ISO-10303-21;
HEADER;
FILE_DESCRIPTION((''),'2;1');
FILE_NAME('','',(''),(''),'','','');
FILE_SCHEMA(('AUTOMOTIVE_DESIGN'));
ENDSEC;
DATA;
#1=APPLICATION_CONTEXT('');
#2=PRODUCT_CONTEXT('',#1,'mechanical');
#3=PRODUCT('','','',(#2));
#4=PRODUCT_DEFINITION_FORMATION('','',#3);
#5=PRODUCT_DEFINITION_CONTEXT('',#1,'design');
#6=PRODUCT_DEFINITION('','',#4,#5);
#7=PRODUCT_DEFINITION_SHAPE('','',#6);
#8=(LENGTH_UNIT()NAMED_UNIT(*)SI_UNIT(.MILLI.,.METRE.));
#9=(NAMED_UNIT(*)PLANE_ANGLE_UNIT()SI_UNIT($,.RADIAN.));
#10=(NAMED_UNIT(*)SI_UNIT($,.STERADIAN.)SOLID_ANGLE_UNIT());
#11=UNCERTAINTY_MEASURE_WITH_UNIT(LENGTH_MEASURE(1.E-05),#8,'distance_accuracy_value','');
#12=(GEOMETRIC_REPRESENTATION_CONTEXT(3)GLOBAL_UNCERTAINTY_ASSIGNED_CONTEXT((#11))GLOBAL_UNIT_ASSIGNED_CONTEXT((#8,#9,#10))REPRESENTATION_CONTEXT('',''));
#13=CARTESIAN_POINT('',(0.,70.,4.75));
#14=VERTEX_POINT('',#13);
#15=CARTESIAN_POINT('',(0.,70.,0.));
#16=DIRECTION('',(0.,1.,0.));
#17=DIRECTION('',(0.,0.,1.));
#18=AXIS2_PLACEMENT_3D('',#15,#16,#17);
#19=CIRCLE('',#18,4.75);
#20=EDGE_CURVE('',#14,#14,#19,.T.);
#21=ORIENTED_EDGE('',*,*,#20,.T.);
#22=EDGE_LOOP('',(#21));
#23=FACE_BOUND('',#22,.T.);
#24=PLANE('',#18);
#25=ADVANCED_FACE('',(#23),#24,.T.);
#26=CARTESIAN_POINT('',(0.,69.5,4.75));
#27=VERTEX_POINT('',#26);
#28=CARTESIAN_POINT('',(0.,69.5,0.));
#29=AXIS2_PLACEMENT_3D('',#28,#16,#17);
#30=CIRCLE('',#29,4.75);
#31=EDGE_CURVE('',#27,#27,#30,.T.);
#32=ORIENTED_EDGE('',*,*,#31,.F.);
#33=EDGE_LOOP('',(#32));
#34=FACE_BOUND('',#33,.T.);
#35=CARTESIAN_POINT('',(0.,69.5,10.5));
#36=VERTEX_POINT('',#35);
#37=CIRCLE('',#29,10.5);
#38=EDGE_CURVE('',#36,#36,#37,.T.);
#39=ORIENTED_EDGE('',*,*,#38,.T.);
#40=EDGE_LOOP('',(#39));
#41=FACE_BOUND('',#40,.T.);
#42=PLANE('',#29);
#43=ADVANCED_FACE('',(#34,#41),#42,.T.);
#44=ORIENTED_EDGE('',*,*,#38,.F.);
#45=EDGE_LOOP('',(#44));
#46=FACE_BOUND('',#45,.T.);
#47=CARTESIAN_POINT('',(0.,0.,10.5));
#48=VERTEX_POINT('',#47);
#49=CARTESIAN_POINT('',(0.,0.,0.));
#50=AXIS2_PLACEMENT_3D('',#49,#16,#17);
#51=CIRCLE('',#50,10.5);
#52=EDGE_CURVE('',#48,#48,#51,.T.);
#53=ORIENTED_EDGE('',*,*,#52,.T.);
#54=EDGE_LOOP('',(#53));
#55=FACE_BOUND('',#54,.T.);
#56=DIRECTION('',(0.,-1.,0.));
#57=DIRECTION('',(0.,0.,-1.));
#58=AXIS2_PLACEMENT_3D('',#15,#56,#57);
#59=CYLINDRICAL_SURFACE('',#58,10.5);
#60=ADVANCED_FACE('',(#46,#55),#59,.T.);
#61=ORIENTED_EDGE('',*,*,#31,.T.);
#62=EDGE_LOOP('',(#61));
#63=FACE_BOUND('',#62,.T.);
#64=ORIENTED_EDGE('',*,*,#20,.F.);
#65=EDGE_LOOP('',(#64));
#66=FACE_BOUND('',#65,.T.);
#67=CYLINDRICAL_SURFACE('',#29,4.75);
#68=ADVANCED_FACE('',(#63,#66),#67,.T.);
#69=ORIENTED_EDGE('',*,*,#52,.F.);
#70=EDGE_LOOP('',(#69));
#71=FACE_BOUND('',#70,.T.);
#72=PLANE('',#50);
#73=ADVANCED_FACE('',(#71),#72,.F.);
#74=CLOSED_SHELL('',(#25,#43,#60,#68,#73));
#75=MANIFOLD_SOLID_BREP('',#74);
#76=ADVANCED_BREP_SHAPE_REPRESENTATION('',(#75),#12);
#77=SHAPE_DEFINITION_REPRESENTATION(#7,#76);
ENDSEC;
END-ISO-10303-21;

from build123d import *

# Parameters (mm, degrees)
SKETCH1_R           = 10.5
BOSS_EXTRUDE1_DEPTH = 70
CUT_EXTRUDE1_START  = -0.5
SKETCH2_R           = 10.5
SKETCH2_R_2         = 4.75
CUT_EXTRUDE1_DEPTH  = 0.5


with BuildPart() as part:
    # Sketch1 → Boss-Extrude1 (new body)
    with BuildSketch(Plane(origin=(0, 0, 0), x_dir=(1, 0, 0), z_dir=(0, 1, 0))):
        with Locations(Location((0, 0, 0), (0, 0, 270))):
            Circle(SKETCH1_R)
    extrude(amount=BOSS_EXTRUDE1_DEPTH)

    # Sketch2 → Cut-Extrude1 (cut)
    with BuildSketch(Plane(origin=(0, 70, 0), x_dir=(1, 0, 0), z_dir=(0, 1, 0)).offset(CUT_EXTRUDE1_START)):
        with Locations(Location((0, 0, 0), (0, 0, 270))):
            Circle(SKETCH2_R)
        with Locations(Location((0, 0, 0), (0, 0, 270))):
            Circle(SKETCH2_R_2, mode=Mode.SUBTRACT)
    extrude(amount=CUT_EXTRUDE1_DEPTH, mode=Mode.SUBTRACT)


solid = part.part
